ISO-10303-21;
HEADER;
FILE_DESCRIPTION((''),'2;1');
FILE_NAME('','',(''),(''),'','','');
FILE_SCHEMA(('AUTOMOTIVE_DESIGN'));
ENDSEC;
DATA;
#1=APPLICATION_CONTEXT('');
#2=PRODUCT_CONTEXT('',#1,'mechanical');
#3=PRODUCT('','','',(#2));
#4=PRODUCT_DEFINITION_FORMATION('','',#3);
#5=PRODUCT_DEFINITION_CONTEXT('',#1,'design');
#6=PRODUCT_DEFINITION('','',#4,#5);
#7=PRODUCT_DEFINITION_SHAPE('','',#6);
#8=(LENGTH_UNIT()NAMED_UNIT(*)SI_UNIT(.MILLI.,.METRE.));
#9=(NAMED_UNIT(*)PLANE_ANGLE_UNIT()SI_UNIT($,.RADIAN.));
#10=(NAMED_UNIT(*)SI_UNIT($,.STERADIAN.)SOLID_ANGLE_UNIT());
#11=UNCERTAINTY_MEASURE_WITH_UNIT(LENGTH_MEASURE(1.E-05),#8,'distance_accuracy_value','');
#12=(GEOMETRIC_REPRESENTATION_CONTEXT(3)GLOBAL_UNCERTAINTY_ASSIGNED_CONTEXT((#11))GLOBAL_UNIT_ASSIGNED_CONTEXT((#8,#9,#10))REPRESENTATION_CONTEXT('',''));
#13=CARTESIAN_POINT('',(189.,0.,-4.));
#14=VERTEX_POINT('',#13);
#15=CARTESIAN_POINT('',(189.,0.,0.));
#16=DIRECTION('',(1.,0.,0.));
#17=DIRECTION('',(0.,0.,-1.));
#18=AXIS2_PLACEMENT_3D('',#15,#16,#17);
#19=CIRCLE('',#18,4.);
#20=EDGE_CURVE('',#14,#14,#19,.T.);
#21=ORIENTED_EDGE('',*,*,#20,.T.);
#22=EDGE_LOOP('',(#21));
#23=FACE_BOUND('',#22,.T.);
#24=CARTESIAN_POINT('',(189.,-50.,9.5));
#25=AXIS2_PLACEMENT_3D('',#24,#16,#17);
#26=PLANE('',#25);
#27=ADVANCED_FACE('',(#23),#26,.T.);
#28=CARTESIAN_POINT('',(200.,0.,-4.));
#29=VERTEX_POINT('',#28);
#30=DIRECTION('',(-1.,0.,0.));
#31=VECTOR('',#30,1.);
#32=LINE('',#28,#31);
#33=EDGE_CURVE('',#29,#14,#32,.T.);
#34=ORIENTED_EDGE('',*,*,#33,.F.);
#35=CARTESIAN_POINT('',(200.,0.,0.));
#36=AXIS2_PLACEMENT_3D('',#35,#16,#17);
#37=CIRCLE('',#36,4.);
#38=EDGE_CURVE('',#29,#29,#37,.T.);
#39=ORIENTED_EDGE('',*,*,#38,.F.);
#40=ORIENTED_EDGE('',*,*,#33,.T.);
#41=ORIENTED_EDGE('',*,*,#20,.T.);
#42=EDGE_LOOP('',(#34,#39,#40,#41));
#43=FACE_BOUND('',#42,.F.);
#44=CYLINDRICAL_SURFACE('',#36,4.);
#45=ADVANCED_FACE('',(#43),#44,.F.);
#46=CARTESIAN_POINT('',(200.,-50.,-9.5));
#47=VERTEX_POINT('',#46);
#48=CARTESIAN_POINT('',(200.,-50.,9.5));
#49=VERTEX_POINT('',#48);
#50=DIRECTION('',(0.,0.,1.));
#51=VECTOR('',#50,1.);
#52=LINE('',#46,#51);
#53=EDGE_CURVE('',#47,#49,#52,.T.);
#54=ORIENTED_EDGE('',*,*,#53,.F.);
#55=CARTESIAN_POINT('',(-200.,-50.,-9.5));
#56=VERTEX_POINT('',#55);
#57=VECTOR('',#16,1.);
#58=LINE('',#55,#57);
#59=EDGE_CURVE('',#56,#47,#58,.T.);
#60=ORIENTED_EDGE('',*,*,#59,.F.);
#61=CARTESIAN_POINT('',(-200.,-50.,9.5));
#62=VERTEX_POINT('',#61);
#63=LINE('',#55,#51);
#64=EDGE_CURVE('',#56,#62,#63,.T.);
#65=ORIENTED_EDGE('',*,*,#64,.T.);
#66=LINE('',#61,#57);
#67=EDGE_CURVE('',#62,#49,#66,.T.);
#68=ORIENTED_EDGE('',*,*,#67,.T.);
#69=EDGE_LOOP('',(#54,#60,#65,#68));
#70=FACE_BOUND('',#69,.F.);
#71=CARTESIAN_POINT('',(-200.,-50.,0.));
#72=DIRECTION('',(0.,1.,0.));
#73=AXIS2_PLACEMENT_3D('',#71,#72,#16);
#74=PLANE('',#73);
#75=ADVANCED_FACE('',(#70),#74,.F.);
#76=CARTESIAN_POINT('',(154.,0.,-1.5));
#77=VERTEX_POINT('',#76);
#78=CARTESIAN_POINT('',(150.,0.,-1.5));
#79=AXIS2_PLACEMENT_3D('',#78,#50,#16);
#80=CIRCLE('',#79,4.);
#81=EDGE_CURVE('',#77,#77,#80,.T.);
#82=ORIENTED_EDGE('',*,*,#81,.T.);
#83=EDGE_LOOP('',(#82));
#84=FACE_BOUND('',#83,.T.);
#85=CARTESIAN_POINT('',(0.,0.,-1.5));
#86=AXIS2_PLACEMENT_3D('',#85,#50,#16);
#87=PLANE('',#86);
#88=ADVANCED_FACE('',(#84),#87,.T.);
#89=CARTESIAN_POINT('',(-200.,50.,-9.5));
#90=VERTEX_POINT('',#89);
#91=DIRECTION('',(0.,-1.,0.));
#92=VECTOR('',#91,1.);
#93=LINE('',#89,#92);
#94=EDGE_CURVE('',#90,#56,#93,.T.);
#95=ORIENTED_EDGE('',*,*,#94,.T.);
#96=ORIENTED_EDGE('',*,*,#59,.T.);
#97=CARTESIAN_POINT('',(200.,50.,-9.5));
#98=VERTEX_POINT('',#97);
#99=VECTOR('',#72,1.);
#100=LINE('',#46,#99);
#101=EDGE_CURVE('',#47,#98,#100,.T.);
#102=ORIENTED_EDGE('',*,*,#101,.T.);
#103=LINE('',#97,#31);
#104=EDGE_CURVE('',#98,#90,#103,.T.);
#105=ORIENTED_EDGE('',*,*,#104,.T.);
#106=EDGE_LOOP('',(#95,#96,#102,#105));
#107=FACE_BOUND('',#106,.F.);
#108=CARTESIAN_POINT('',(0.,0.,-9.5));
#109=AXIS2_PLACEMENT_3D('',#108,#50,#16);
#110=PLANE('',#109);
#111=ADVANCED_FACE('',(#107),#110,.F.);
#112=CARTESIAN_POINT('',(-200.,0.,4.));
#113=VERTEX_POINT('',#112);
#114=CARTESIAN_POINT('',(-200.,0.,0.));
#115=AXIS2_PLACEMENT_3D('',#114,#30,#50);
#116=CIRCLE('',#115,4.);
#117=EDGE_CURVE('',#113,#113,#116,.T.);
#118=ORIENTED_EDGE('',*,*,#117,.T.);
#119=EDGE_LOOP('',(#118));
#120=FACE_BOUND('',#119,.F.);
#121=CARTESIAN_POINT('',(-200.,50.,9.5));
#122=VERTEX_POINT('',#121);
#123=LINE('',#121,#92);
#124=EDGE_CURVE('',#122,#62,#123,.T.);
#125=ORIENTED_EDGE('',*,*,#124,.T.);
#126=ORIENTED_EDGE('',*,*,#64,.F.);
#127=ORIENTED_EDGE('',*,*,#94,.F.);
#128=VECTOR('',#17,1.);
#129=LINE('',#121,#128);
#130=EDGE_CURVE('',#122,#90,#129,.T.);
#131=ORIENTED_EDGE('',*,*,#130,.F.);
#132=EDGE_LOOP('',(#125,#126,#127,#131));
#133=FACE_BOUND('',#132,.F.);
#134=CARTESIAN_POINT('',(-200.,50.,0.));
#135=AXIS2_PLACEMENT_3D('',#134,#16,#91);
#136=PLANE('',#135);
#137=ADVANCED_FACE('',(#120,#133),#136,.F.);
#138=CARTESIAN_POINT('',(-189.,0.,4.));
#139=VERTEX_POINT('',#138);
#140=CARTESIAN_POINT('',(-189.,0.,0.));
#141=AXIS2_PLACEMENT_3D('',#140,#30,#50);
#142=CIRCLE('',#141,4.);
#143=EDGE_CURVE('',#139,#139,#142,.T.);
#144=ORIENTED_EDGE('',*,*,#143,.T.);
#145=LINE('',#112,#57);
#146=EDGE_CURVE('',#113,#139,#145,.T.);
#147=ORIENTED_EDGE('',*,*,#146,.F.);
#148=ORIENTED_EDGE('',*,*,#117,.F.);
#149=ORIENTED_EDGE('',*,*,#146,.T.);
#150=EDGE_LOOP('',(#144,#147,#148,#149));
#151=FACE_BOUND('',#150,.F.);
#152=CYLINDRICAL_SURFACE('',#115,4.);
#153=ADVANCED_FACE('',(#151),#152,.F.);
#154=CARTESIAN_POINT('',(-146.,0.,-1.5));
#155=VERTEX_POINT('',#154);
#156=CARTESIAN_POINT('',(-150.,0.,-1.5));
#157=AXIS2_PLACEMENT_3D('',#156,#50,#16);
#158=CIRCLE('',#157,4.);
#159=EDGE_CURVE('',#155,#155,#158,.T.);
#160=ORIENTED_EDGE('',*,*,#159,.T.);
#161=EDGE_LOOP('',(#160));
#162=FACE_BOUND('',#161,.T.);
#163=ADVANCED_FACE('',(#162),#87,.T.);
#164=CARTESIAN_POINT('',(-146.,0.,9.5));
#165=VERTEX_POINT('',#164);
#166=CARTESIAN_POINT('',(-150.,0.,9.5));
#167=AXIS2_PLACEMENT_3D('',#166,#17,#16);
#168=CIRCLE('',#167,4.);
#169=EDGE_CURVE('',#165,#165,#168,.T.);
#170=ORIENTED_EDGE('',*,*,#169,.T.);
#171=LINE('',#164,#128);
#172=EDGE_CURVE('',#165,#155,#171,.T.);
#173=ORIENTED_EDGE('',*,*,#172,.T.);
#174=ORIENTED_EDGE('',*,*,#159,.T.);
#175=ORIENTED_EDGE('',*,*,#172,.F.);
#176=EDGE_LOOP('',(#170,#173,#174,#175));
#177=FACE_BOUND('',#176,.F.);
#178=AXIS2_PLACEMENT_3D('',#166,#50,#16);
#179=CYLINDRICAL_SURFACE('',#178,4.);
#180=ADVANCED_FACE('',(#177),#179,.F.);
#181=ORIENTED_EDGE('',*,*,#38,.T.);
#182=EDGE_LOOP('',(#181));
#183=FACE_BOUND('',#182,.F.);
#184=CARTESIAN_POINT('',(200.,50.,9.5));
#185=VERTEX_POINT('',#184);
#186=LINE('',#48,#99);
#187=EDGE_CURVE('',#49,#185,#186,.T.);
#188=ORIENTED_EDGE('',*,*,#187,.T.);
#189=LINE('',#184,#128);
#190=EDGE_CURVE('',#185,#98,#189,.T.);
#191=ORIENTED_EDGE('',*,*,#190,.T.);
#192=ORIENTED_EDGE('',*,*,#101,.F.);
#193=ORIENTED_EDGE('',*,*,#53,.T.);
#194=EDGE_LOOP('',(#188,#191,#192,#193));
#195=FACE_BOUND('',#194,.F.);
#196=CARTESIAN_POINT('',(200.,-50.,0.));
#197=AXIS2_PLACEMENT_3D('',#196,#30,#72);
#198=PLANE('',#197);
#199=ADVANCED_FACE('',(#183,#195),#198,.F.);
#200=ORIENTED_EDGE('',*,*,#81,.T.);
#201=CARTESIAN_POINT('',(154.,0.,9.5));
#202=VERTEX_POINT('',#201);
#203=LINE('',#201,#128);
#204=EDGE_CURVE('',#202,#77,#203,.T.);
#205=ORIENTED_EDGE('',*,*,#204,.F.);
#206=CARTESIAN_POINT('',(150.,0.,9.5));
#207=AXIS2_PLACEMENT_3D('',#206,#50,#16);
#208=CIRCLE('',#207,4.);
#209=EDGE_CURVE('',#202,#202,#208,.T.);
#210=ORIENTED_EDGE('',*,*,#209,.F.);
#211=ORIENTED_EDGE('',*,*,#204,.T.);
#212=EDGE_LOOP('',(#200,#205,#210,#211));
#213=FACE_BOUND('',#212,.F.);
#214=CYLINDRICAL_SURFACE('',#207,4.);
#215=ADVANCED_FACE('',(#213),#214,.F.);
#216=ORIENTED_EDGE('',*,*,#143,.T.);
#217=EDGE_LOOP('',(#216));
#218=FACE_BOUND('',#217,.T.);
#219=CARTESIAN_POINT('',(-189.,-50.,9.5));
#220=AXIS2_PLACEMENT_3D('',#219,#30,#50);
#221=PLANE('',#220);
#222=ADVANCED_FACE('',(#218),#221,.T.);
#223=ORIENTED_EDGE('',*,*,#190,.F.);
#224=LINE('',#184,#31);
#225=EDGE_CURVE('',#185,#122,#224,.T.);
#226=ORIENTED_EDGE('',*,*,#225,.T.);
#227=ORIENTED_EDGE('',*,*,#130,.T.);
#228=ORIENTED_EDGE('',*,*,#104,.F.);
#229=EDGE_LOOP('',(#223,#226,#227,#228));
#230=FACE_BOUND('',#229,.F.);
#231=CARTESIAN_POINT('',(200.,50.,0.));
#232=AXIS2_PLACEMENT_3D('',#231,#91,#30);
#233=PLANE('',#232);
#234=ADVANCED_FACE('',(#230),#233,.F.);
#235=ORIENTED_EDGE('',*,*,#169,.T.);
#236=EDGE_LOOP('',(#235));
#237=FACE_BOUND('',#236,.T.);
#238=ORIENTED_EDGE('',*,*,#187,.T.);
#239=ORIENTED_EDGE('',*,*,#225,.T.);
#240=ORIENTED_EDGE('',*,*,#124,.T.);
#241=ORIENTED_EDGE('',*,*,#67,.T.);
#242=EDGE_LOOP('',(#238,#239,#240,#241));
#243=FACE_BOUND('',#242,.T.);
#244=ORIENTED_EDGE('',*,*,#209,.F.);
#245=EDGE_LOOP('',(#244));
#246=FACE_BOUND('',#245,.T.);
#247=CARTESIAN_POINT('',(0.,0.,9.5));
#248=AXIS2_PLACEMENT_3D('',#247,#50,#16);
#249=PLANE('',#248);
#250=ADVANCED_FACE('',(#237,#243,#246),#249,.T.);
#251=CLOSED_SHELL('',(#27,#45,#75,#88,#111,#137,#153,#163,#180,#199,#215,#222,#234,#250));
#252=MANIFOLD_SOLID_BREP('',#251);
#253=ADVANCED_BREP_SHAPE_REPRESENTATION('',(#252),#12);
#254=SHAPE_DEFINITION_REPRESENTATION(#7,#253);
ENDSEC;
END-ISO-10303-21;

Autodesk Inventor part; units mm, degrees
ref_plane "YZ Plane" through (0, 0, 0) normal (1, 0, 0) x (0, 1, 0)
ref_plane "XZ Plane" through (0, 0, 0) normal (0, 1, 0) x (-1, 0, 0)
ref_plane "XY Plane" through (0, 0, 0) normal (0, 0, 1) x (1, 0, 0)
sketch "Sketch1" plane through (0, 0, 0) normal (0, 0, 1) x (1, 0, 0)
  line L0 (-200, -50) -> (200, -50)
  line L1 (200, -50) -> (200, 50)
  line L2 (200, 50) -> (-200, 50)
  line L3 (-200, 50) -> (-200, -50)
  line L4 (-200, -50) -> (200, 50) construction
  line L5 (200, -50) -> (-200, 50) construction
  point P0 (0, 0)
  dimension "d0" = 400
  dimension "d1" = 100
extrude "Extrusion1" add sketch "Sketch1" along normal blind 9.5 and the other way blind 9.5
sketch "Sketch2" plane through (0, 0, 9.5) normal (0, 0, 1) x (1, 0, 0)
  line L0 (-200, 50) -> (-200, -50) projected
  line L1 (-200, 0) -> (-150, 0)
  line L2 (200, -50) -> (200, 50) projected
  line L3 (200, 0) -> (150, 0)
  circle A0 centre (-150, 0) radius 4
  circle A1 centre (150, 0) radius 4
  point P0 (0, 0)
  dimension "d6" = 50
  dimension "d7" = 50
  dimension "d8" = 8
  dimension "d9" = 8
extrude "Extrusion2" cut sketch "Sketch2" against normal blind 11
sketch "Sketch3" plane through (200, -50, 9.5) normal (1, 0, 0) x (0, 0, -1)
  circle A0 centre (9.5, 50) radius 4
  dimension "d12" = 8
extrude "Extrusion3" cut sketch "Sketch3" against normal blind 11
sketch "Sketch4" plane through (-200, -50, 9.5) normal (-1, 0, 0) x (0, 0, 1)
  circle A0 centre (-9.5, 50) radius 4
  dimension "d15" = 8
extrude "Extrusion4" cut sketch "Sketch4" against normal blind 11
properties part number "A"
